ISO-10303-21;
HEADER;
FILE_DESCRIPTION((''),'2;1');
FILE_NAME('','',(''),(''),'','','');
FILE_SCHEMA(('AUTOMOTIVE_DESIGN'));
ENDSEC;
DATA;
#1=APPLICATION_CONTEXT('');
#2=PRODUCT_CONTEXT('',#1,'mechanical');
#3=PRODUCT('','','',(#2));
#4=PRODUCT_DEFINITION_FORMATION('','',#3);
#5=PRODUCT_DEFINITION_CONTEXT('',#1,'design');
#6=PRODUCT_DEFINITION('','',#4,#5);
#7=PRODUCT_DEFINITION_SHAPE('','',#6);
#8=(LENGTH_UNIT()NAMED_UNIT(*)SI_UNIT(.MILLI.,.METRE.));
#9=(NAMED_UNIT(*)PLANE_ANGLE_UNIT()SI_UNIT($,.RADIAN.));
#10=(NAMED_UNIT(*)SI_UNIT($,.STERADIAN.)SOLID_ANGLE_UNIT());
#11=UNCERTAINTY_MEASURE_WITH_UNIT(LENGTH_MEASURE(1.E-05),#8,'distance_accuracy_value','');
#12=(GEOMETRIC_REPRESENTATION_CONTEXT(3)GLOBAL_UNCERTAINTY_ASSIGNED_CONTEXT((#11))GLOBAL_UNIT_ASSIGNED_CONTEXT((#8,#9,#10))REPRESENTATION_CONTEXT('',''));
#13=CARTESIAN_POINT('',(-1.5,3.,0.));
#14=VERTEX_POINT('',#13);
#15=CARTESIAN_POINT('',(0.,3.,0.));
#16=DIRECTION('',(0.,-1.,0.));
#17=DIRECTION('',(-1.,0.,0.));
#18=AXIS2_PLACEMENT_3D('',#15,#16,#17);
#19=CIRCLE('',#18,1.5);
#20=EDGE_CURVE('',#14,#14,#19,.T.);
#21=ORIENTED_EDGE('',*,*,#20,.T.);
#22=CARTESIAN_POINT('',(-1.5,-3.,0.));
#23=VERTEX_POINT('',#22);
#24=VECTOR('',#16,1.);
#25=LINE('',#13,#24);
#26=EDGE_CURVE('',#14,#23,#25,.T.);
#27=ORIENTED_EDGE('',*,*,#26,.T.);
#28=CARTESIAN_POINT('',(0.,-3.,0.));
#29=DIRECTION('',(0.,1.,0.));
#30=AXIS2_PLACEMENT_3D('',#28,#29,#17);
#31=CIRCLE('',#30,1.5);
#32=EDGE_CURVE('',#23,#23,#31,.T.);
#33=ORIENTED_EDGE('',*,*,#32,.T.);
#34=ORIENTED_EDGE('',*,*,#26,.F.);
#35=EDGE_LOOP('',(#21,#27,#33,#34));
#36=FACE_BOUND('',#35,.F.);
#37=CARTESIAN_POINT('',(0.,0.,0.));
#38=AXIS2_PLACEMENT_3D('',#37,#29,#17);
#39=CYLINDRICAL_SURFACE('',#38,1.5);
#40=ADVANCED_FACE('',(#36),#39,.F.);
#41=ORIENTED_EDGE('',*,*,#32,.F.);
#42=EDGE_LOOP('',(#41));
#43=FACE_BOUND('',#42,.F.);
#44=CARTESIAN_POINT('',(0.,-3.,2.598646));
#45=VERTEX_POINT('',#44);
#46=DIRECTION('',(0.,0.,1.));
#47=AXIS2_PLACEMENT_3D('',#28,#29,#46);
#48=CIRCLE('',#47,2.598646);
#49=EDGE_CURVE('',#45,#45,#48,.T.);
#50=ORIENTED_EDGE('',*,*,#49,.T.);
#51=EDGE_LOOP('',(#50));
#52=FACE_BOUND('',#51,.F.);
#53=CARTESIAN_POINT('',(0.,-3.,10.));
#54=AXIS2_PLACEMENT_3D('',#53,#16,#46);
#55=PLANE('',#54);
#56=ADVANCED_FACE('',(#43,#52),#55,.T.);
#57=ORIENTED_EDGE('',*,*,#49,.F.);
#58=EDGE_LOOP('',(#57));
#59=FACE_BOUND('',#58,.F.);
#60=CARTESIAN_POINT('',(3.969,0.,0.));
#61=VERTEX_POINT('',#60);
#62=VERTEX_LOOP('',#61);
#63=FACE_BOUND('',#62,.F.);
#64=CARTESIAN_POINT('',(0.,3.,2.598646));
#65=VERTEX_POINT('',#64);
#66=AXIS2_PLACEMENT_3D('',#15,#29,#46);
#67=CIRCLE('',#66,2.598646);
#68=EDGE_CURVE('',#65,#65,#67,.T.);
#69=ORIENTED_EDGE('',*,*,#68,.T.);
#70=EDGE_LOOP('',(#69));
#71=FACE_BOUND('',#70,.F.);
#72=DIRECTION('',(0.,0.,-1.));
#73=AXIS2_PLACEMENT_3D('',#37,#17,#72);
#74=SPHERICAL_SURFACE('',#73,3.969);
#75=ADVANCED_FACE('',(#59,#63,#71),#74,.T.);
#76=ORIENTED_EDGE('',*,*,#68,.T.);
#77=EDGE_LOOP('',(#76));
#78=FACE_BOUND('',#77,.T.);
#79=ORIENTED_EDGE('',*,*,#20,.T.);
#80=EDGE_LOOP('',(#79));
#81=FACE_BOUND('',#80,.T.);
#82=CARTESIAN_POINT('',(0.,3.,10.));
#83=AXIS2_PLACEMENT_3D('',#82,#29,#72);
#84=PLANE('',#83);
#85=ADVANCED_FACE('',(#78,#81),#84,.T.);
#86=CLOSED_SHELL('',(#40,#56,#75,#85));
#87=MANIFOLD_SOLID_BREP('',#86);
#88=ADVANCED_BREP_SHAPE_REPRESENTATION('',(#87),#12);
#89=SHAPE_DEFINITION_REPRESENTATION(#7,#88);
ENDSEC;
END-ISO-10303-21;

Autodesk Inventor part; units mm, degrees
ref_plane "YZ Plane" through (0, 0, 0) normal (1, 0, 0) x (0, 1, 0)
ref_plane "XZ Plane" through (0, 0, 0) normal (0, 1, 0) x (-1, 0, 0)
ref_plane "XY Plane" through (0, 0, 0) normal (0, 0, 1) x (1, 0, 0)
sketch "Эскиз1" plane through (0, 0, 0) normal (0, 1, 0) x (-1, 0, 0)
  circle A0 centre (0, 0) radius 3.969
  line L0 (3.969, 0) -> (-3.969, 0)
  dimension "d0" = 7.938
  dimension "d1" = 7.938
revolve "Вращение1" add sketch "Эскиз1" angle 360 about axis through (-3.969, 0, 0) along (1, 0, 0) picked at (1.323, -1.2297) contours A0 L0
sketch "Эскиз2" plane through (0, 0, 0) normal (0, 1, 0) x (-1, 0, 0)
  circle A0 centre (0, 0) radius 1.5
  dimension "d3" = 3
extrude "Выдавливание1" cut sketch "Эскиз2" along normal mid plane 10
sketch "Эскиз3" plane through (0, 0, 0) normal (1, 0, 0) x (0, 1, 0)
  line L0 (13, 10) -> (3, 10)
  line L1 (3, 10) -> (3, -10)
  line L2 (3, -10) -> (13, -10)
  line L3 (13, -10) -> (13, 10)
  point P0 (0, 0)
  dimension "d6" = 3
  dimension "d7" = 20
  dimension "d8" = 10
  dimension "d9" = 10
extrude "Выдавливание2" cut sketch "Эскиз3" along normal through all both and the other way through all
mirror "Зеркальное отражение1" about plane through (0, 0, 0) normal (0, 1, 0) of "Выдавливание2"
properties part number "Ball" material "Нержавеющая сталь"
